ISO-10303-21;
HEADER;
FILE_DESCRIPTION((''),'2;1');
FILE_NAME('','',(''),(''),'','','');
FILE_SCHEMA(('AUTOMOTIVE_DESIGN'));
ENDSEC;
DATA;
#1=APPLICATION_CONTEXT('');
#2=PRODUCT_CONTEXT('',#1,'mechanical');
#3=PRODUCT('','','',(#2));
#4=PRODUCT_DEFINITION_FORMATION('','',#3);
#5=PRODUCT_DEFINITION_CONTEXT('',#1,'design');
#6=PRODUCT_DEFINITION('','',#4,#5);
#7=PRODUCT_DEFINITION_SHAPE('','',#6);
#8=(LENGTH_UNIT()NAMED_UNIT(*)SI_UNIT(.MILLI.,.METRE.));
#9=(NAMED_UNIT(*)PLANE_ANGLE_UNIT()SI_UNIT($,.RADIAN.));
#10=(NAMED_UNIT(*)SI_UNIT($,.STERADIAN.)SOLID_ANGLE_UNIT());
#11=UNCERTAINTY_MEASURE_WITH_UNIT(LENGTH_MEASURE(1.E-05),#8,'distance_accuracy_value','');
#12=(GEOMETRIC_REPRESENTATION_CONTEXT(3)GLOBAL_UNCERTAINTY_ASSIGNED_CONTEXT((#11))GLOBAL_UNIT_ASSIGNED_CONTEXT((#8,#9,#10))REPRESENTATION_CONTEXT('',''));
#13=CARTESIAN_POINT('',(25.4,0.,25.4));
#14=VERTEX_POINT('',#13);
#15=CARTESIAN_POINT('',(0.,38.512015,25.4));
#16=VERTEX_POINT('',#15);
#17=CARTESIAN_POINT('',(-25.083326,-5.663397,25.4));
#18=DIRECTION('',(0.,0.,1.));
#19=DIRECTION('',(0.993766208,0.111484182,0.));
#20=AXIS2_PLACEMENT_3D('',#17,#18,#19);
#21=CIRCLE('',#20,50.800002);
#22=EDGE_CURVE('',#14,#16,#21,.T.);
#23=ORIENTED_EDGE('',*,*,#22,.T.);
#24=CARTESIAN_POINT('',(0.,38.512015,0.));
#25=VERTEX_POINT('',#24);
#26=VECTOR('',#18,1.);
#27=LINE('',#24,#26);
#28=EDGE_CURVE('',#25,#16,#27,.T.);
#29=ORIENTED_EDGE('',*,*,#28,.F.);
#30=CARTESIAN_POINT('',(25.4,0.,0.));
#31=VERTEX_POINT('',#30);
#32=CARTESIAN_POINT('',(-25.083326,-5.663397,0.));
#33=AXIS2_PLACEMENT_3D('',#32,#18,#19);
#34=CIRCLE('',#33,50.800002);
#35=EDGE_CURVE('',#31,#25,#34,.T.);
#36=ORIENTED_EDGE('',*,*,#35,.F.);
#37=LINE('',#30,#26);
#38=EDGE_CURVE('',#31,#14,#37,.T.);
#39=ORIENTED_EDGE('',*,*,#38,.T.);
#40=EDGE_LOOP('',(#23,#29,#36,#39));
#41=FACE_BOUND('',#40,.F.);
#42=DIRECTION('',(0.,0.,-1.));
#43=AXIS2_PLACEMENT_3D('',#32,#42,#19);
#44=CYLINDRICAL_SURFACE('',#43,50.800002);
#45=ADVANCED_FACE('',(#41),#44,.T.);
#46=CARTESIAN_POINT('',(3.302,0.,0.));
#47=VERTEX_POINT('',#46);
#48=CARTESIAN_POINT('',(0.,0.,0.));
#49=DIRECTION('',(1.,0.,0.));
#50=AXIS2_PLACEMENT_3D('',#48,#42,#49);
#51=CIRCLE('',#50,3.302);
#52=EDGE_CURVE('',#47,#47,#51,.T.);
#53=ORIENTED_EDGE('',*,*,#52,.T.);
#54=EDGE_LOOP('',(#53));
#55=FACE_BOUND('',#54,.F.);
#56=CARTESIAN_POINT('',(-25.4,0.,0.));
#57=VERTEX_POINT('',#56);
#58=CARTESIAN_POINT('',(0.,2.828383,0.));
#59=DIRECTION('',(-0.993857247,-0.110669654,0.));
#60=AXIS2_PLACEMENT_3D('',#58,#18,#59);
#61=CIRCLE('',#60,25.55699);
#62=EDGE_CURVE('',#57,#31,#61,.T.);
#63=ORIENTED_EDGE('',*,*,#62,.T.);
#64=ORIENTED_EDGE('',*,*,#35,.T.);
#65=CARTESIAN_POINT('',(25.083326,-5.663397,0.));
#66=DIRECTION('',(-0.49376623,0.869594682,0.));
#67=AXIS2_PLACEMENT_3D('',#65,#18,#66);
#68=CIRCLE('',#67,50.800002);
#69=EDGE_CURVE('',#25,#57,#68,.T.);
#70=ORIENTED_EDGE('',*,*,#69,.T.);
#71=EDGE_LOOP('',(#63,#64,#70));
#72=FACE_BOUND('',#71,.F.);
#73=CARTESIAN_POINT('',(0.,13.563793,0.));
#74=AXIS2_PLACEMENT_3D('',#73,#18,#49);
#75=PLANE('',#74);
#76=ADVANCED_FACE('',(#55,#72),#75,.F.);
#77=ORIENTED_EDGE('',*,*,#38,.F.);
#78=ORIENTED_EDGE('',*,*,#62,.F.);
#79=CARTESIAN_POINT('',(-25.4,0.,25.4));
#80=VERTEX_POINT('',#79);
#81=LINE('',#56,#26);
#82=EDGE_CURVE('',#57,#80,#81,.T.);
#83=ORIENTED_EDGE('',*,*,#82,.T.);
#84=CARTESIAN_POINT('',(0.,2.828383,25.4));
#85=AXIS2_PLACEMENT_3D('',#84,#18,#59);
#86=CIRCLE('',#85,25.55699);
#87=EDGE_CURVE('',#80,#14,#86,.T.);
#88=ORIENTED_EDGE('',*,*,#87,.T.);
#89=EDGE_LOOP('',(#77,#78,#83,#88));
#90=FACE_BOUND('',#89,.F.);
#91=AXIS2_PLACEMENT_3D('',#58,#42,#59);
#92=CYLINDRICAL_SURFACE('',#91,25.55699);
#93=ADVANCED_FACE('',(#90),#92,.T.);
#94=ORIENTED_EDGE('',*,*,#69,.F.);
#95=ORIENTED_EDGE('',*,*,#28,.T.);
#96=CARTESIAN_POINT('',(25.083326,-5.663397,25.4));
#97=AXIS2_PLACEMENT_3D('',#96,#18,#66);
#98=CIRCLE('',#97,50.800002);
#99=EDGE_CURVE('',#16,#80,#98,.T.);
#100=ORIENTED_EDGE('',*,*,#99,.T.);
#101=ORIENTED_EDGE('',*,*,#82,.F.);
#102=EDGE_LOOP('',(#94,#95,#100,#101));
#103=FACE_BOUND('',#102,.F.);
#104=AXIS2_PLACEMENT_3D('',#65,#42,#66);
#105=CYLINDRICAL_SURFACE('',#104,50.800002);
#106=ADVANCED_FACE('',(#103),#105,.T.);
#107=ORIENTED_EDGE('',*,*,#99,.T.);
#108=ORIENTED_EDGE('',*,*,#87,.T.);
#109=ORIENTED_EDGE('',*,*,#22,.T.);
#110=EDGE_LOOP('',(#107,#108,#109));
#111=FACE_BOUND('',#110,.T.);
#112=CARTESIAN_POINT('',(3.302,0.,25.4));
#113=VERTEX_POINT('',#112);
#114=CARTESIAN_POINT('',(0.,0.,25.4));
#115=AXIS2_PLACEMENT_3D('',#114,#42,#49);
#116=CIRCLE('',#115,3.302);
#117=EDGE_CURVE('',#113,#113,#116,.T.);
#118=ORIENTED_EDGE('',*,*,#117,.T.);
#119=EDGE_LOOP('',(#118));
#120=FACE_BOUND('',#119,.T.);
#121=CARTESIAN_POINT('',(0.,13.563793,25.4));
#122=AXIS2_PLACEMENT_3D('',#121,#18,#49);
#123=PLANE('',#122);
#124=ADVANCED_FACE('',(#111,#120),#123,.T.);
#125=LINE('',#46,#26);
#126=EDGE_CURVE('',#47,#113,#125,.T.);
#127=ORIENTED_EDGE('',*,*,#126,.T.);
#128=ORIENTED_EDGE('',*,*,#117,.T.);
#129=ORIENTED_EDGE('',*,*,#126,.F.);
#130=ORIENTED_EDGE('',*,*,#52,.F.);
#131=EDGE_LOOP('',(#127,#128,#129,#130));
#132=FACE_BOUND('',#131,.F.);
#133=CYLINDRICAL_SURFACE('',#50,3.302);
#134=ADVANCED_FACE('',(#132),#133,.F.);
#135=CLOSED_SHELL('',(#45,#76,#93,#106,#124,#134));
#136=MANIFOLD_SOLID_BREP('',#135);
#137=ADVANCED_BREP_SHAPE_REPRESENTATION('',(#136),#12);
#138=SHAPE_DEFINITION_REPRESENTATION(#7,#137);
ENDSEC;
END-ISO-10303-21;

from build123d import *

# Parameters (mm, degrees)
F1_DEPTH = 25.4


with BuildPart() as f1:
    # F0 (on Top) → F1 (new body)
    with BuildSketch(Plane.XY):
        with BuildLine():
            ThreePointArc((-3.302, 0), (0, 3.302), (3.302, 0))
            Line((3.302, 0), (25.4, 0))
            ThreePointArc((25.4, 0), (17.323909, 22.305634), (0, 38.512015))
            ThreePointArc((0, 38.512015), (-17.323909, 22.305634), (-25.4, 0))
            Line((-25.4, 0), (-3.302, 0))
        make_face()
        with BuildLine():
            Line((25.4, 0), (3.302, 0))
            ThreePointArc((3.302, 0), (0, -3.302), (-3.302, 0))
            Line((-3.302, 0), (-25.4, 0))
            ThreePointArc((-25.4, 0), (0, -22.728607), (25.4, 0))
        make_face()
    extrude(amount=F1_DEPTH)


solid = f1.part
